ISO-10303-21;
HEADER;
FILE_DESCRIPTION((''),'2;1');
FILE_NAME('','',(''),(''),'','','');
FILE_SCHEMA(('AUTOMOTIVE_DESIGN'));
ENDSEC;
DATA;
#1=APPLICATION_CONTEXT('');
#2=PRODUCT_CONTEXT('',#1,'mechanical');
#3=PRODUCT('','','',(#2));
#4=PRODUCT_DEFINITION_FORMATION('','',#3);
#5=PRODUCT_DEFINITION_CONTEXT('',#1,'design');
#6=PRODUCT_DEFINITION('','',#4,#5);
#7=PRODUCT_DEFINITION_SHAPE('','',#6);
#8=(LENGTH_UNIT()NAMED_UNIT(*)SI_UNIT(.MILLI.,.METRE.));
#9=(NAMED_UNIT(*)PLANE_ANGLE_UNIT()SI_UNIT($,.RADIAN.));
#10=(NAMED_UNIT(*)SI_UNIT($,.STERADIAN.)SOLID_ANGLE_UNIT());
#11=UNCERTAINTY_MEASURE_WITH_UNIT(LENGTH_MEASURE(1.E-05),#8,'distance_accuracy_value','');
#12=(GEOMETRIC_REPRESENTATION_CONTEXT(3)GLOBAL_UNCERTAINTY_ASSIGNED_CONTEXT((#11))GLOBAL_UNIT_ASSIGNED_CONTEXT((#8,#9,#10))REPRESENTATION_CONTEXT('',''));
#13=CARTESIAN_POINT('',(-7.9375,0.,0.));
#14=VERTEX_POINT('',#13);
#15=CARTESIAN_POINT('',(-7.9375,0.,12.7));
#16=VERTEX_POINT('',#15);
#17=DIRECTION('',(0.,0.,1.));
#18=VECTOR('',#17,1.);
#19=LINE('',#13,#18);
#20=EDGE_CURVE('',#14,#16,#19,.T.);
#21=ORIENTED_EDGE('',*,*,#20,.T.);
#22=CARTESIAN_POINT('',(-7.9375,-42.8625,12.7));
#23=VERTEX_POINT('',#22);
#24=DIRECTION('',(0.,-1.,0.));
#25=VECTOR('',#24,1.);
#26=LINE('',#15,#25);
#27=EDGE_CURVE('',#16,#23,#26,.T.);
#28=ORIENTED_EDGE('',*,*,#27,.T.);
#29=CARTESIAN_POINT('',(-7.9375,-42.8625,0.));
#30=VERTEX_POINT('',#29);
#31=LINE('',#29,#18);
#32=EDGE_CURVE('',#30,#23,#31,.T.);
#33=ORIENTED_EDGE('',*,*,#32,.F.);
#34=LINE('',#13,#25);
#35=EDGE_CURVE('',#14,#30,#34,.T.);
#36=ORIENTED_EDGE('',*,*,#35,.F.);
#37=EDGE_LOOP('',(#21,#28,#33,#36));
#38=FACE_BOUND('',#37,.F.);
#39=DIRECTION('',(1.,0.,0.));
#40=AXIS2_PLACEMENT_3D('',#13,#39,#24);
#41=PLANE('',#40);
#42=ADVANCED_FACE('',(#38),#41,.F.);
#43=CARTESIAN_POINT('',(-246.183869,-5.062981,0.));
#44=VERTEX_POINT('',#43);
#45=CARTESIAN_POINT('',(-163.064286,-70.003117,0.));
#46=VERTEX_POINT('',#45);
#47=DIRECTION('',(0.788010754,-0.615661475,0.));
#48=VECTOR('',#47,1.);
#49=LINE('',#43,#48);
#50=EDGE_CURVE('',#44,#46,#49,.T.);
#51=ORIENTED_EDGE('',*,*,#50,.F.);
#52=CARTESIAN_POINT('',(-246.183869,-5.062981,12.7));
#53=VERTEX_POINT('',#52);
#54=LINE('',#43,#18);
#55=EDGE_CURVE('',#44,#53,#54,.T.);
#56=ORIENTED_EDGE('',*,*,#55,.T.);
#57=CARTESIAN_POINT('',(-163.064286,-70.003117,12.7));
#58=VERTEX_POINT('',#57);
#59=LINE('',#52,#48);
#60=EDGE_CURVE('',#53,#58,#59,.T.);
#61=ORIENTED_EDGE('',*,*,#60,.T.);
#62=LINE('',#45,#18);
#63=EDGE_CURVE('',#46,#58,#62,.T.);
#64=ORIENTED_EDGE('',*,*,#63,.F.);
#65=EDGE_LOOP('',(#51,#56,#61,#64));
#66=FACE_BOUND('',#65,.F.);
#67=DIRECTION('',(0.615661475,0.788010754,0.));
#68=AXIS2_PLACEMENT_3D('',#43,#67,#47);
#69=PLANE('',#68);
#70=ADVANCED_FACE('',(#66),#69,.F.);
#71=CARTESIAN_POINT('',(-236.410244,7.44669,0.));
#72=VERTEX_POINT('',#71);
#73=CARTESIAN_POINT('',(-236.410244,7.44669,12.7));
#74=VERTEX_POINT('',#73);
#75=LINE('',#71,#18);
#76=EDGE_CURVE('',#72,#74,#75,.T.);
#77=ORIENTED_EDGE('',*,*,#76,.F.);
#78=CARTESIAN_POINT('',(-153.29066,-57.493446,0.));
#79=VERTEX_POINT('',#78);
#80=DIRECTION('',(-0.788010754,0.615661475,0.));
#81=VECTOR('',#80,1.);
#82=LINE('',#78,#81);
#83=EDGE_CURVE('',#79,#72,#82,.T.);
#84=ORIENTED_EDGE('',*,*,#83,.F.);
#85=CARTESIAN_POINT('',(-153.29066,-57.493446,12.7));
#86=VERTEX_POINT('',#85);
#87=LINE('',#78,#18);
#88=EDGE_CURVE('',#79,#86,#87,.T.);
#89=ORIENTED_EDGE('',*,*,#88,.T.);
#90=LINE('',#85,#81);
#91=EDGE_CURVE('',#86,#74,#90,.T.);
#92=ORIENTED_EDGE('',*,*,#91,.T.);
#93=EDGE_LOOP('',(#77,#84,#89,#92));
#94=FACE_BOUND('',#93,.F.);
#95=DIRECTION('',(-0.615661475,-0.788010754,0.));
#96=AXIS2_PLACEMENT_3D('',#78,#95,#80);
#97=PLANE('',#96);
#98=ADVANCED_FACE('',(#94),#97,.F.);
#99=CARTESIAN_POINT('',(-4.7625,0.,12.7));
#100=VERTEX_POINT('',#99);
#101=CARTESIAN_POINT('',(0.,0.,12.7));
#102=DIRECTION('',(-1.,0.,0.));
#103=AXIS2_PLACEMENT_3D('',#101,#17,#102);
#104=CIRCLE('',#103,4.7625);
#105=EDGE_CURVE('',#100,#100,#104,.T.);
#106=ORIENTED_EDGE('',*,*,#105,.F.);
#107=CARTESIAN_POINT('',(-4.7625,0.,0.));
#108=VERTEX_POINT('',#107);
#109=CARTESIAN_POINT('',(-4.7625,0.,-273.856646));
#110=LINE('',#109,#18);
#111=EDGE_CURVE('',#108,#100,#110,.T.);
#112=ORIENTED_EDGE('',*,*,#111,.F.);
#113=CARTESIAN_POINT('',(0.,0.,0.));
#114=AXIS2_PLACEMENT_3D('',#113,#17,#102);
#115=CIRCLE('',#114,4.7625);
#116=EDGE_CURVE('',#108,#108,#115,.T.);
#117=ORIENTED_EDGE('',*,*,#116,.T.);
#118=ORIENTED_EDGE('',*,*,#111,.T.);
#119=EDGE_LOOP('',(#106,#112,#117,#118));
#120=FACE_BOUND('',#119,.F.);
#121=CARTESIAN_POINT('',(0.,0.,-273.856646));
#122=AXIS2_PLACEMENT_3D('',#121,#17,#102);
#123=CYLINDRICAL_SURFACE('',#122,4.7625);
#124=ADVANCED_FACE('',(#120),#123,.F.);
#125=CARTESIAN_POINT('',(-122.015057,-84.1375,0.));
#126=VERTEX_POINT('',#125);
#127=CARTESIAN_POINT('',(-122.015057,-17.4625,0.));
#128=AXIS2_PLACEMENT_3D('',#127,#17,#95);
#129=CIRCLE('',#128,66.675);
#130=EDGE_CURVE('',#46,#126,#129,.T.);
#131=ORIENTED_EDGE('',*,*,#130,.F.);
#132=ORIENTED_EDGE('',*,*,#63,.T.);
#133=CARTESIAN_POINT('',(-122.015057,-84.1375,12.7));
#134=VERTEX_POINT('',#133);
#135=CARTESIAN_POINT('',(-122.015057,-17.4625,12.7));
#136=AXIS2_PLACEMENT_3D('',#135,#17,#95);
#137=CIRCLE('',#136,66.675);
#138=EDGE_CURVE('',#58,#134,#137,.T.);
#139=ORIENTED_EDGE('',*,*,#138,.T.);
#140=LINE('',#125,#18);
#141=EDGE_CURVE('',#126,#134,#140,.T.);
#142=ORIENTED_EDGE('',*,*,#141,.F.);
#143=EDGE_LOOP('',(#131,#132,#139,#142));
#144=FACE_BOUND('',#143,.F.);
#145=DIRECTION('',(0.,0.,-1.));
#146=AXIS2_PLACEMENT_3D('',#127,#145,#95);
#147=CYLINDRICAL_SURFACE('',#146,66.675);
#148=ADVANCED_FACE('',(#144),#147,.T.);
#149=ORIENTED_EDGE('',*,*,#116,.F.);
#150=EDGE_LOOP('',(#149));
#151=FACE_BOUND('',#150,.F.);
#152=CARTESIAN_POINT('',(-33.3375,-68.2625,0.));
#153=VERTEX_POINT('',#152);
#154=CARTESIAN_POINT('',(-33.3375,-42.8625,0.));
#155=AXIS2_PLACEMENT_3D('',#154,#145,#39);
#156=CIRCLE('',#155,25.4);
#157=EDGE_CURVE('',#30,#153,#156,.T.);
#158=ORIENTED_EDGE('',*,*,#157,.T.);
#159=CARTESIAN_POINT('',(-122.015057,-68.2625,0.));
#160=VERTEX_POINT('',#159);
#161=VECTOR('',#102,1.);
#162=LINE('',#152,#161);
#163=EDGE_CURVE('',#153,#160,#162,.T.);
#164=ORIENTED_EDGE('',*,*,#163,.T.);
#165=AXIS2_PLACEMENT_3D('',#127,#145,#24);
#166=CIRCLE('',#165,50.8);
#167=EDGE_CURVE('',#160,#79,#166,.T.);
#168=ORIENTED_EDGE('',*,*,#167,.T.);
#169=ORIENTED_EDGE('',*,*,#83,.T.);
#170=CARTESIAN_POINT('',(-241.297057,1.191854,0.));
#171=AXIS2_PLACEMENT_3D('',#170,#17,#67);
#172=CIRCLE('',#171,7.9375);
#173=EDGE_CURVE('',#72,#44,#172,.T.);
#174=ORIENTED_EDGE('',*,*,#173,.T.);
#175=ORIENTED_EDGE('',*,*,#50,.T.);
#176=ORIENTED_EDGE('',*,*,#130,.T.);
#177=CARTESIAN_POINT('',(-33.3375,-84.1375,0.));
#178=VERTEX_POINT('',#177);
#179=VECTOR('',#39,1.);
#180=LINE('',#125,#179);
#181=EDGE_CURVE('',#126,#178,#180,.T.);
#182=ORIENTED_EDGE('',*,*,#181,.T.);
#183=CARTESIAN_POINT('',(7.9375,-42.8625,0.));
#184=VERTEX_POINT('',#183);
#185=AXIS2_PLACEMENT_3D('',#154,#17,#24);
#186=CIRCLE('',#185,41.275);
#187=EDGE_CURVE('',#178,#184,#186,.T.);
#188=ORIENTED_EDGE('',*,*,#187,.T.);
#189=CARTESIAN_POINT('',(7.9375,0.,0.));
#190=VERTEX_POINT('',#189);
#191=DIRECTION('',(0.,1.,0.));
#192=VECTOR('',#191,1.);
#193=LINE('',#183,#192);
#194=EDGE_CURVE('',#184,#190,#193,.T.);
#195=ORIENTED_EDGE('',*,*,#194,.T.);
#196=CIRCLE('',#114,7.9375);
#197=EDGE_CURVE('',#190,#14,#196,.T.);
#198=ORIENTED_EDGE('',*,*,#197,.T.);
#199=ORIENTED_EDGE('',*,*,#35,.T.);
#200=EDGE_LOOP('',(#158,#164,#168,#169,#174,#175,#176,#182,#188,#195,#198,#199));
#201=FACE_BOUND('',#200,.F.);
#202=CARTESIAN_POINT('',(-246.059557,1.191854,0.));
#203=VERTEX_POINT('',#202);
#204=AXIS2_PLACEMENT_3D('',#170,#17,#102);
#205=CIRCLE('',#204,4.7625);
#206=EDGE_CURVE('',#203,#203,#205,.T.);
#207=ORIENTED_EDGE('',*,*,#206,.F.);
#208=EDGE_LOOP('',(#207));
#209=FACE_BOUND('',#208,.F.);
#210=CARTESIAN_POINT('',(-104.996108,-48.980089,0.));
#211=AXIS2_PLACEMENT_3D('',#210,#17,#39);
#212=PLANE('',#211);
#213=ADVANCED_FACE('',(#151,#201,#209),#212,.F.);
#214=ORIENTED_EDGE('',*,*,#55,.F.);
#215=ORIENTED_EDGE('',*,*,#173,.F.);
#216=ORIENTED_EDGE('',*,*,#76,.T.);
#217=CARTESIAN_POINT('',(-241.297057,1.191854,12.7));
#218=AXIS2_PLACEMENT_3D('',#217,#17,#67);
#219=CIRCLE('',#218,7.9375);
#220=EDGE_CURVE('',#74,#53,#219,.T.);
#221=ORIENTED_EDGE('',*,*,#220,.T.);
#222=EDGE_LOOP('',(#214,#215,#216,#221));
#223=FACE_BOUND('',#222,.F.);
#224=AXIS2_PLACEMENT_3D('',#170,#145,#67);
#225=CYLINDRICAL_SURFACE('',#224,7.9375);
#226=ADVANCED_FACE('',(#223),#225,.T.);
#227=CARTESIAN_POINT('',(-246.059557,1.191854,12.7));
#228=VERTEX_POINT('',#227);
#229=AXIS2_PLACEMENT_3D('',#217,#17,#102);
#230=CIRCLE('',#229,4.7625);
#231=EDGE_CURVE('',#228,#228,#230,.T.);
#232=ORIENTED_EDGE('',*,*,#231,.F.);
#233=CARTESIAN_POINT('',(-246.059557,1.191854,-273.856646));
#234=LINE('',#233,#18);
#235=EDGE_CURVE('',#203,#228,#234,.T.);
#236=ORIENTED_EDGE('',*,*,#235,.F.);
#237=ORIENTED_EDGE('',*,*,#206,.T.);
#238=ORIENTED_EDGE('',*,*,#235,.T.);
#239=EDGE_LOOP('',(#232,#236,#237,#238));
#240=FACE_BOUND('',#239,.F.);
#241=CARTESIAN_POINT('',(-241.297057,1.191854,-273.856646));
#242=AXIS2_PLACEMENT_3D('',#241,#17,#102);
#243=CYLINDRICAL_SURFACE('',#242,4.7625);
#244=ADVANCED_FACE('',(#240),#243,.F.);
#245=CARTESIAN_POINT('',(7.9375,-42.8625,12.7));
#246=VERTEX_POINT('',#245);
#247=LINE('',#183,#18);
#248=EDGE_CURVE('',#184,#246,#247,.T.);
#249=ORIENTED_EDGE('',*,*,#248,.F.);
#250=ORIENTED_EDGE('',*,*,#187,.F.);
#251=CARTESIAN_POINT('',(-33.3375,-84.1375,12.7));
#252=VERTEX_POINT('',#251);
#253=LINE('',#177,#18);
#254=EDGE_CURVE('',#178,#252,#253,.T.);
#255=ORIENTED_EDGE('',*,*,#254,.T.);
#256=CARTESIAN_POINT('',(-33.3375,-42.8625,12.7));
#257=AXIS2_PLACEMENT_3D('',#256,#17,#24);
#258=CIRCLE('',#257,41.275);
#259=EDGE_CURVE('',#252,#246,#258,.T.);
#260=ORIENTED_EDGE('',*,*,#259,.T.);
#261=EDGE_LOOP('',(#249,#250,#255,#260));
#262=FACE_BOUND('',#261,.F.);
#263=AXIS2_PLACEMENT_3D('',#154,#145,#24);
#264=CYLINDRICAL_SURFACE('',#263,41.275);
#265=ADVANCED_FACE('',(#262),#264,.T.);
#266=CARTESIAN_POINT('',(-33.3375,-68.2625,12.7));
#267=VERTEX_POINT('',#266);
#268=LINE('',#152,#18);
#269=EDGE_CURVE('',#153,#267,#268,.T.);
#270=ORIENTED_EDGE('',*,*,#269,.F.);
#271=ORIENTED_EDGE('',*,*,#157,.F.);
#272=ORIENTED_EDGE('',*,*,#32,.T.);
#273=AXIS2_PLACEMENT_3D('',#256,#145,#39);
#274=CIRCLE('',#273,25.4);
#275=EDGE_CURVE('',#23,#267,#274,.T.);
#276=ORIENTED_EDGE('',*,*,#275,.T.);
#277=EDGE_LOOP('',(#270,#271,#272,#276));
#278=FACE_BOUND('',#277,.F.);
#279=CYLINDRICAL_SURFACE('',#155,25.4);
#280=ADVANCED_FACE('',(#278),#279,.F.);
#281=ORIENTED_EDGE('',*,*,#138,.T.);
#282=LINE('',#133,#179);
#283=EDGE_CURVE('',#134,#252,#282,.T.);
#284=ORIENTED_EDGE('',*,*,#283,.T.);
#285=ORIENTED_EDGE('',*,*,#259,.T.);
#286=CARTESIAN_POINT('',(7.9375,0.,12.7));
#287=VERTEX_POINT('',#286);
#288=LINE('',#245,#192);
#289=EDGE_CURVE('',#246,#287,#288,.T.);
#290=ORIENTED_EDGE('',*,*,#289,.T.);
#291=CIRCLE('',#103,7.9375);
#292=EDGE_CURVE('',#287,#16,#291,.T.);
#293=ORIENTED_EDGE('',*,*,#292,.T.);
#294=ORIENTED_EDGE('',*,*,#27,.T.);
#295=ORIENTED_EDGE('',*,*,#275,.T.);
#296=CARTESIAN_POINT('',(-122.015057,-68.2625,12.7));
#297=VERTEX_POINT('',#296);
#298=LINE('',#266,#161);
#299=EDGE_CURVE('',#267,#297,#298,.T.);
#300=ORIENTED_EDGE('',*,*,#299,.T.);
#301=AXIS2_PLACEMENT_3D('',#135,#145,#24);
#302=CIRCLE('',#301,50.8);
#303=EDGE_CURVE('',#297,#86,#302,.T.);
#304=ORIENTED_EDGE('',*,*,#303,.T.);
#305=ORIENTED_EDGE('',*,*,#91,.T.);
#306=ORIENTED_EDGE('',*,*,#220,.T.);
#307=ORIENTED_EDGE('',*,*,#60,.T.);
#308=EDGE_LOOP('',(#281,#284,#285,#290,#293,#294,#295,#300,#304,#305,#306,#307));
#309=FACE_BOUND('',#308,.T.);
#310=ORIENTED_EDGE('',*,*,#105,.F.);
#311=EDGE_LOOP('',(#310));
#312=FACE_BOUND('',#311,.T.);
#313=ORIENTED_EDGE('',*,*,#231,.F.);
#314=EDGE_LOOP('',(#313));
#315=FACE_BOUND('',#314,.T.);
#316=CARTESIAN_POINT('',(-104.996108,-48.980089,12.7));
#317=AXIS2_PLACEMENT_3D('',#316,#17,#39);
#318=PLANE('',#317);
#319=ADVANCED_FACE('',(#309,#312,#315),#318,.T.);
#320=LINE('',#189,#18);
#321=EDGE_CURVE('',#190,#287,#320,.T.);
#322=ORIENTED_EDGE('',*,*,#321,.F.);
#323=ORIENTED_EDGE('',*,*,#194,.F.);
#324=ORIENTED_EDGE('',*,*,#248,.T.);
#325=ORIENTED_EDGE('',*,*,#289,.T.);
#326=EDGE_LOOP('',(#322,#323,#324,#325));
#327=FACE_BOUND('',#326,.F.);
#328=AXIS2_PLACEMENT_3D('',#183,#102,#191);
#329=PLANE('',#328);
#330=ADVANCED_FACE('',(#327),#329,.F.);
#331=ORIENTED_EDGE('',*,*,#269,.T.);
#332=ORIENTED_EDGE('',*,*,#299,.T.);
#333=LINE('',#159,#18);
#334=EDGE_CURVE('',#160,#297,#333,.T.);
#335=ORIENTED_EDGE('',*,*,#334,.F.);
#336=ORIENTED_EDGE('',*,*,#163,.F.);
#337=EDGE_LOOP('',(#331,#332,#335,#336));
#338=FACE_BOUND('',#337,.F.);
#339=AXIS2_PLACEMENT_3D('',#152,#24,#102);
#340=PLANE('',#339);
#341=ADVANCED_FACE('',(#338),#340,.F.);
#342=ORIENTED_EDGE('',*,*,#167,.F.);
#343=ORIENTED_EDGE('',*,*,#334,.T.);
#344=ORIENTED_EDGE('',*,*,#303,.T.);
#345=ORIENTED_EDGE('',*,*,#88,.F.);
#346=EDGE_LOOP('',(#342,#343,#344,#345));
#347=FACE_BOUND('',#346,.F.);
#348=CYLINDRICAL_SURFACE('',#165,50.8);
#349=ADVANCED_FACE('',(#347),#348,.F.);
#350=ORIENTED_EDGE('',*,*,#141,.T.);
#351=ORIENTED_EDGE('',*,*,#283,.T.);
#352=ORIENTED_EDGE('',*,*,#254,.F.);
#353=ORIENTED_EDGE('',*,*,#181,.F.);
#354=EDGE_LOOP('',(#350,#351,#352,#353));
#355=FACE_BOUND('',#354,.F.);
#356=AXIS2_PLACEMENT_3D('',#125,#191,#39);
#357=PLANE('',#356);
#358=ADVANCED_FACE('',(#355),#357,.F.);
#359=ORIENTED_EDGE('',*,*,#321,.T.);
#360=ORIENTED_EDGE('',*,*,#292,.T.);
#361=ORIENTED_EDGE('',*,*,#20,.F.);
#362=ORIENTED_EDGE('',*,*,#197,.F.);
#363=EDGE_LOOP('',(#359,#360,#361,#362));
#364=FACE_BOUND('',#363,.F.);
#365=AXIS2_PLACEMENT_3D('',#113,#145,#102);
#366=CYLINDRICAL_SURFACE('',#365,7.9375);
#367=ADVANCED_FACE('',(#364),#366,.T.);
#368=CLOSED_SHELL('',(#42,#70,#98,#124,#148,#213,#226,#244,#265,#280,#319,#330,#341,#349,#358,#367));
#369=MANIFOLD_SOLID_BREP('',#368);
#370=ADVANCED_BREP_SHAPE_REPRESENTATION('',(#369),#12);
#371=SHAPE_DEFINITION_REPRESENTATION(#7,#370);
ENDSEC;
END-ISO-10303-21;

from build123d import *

# Parameters (mm, degrees)
F2_DEPTH = 12.7
F3_D     = 9.525


with BuildPart() as f2:
    # F1 (on Top) → F2 (new body)
    with BuildSketch(Plane.XY):
        with BuildLine():
            ThreePointArc((-122.0150568144, -68.2625), (-138.5539190608, -65.4948436404), (-153.2906597609, -57.4934462832))
            Line((-153.2906597609, -57.4934462832), (-236.4102435549, 7.4466898162))
            ThreePointArc((-236.4102435549, 7.4466898162), (-234.1628787728, 4.6714254371), (-233.3595565153, 1.1918544595))
            ThreePointArc((-233.3595565153, 1.1918544595), (-237.8174855377, -5.942323283), (-246.1838694757, -5.0629808973))
            Line((-246.1838694757, -5.0629808973), (-163.0642856817, -70.0031169967))
            ThreePointArc((-163.0642856817, -70.0031169967), (-143.7223135128, -80.5049510281), (-122.0150568144, -84.1375))
            Line((-122.0150568144, -84.1375), (-33.3375, -84.1375))
            ThreePointArc((-33.3375, -84.1375), (-4.1516676065, -72.0483323935), (7.9375, -42.8625))
            Line((7.9375, -42.8625), (7.9375, 0))
            ThreePointArc((7.9375, 0), (0, -7.9375), (-7.9375, 0))
            Line((-7.9375, 0), (-7.9375, -42.8625))
            ThreePointArc((-7.9375, -42.8625), (-15.3769877579, -60.8230122421), (-33.3375, -68.2625))
            Line((-33.3375, -68.2625), (-122.0150568144, -68.2625))
        make_face()
        with BuildLine():
            ThreePointArc((-233.3595565153, 1.1918544595), (-234.1628787728, 4.6714254371), (-236.4102435549, 7.4466898162))
            ThreePointArc((-236.4102435549, 7.4466898162), (-247.5518918721, 6.0786674199), (-246.1838694757, -5.0629808973))
            ThreePointArc((-246.1838694757, -5.0629808973), (-237.8174855377, -5.942323283), (-233.3595565153, 1.1918544595))
        make_face()
        with BuildLine():
            ThreePointArc((7.9375, 0), (0, 7.9375), (-7.9375, 0))
            ThreePointArc((-7.9375, 0), (0, -7.9375), (7.9375, 0))
        make_face()
    extrude(amount=F2_DEPTH)

    # F3 (through all)
    with Locations(Plane(origin=(0, 0, 0), x_dir=(1, 0, 0), z_dir=(0, 0, -1))):
        with Locations((-241.2970565153, -1.1918544595), (0, 0)):
            Hole(F3_D / 2)


solid = f2.part
